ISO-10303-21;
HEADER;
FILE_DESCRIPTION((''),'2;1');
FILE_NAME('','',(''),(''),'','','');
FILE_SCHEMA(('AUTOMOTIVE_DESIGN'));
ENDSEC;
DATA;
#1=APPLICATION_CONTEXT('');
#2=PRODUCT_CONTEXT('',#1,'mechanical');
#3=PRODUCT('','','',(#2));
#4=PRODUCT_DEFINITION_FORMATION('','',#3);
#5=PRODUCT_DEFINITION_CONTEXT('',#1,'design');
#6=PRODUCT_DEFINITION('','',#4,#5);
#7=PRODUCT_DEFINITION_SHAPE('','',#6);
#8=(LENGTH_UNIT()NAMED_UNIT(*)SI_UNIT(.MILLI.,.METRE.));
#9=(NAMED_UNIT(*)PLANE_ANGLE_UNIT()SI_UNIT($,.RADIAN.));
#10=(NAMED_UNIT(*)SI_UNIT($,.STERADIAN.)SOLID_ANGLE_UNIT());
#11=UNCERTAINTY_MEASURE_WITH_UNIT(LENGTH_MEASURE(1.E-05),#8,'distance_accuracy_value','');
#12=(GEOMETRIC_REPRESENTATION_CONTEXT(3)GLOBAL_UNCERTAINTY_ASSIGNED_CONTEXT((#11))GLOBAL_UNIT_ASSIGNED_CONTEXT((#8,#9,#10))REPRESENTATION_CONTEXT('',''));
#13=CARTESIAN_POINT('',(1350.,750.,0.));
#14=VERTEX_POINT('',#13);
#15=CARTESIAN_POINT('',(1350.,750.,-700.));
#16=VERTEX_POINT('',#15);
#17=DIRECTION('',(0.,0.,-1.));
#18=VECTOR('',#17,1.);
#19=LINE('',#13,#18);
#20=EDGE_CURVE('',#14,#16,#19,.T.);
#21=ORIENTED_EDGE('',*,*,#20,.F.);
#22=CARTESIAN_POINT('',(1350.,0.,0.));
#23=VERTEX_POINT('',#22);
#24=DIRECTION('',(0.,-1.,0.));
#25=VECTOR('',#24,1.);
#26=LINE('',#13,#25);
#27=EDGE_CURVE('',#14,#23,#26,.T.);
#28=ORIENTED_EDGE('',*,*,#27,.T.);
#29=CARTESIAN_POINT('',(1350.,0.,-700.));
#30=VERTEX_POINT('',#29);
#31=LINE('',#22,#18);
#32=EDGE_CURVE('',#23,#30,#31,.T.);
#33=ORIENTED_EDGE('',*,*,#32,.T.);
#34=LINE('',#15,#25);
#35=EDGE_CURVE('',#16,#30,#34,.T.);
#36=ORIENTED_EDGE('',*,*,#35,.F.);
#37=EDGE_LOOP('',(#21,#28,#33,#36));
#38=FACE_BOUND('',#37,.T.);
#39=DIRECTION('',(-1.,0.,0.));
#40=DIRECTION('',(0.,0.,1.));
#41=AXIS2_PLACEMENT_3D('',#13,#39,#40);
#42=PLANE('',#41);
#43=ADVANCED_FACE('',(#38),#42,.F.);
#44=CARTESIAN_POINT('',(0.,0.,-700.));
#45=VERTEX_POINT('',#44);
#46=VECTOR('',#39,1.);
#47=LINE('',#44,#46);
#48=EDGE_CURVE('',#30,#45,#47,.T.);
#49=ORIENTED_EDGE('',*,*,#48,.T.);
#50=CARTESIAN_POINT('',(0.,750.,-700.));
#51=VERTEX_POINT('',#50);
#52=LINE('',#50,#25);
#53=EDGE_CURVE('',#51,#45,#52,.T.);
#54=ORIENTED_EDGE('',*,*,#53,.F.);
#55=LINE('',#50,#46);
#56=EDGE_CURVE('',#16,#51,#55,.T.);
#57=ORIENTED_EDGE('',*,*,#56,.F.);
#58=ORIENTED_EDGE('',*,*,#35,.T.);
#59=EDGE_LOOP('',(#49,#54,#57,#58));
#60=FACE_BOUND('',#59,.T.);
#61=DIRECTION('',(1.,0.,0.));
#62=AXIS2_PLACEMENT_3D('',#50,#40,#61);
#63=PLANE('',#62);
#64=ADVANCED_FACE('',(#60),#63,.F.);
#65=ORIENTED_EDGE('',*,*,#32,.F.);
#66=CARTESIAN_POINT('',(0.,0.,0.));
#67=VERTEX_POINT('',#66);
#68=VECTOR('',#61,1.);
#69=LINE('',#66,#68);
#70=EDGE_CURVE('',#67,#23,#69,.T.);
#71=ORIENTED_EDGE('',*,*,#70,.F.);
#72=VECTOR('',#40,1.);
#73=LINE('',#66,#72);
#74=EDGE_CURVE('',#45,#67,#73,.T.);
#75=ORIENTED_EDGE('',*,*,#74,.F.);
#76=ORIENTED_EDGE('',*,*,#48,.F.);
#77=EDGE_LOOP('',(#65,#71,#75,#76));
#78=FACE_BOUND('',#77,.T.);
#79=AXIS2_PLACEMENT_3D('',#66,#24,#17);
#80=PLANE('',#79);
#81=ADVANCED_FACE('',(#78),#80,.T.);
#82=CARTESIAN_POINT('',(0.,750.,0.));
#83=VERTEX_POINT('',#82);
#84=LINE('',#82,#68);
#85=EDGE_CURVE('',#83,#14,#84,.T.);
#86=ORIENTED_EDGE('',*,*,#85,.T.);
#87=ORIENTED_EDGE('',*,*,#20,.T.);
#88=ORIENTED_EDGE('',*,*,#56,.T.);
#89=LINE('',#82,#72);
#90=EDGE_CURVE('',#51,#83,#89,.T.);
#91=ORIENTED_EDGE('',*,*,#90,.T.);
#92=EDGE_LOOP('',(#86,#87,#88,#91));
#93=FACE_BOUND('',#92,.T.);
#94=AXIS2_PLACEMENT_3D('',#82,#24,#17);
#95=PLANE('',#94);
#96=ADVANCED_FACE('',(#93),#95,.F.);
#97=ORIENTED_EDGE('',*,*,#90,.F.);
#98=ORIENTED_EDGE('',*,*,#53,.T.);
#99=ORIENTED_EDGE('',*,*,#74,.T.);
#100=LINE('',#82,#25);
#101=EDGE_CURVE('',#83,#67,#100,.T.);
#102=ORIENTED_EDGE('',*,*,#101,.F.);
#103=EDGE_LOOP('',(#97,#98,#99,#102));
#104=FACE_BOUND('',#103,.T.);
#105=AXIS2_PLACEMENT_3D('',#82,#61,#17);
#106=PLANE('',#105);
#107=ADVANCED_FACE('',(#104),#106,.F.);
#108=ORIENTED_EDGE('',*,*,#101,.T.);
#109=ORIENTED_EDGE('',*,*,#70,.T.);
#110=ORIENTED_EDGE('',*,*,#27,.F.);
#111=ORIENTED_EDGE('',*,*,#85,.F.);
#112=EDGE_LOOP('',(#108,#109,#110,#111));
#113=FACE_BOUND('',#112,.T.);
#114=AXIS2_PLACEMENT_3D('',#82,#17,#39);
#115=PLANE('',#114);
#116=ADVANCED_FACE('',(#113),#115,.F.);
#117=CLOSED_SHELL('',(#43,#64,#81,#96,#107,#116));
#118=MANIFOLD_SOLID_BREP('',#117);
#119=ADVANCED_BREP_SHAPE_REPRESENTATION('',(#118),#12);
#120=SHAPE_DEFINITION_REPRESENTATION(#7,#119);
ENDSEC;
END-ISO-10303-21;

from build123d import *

# Parameters (mm, degrees)
MASTER_FOOTPRINT_W    = 1350
MASTER_FOOTPRINT_H    = 700
BATH_BASE_PLATE_DEPTH = 750


with BuildPart() as part:
    # MASTER_FOOTPRINT → BATH_BASE_PLATE (new body)
    with BuildSketch(Plane(origin=(0, 0, 0), x_dir=(1, 0, 0), z_dir=(0, 1, 0))):
        with Locations((675, 350)):
            Rectangle(MASTER_FOOTPRINT_W, MASTER_FOOTPRINT_H)
    extrude(amount=BATH_BASE_PLATE_DEPTH)


solid = part.part
